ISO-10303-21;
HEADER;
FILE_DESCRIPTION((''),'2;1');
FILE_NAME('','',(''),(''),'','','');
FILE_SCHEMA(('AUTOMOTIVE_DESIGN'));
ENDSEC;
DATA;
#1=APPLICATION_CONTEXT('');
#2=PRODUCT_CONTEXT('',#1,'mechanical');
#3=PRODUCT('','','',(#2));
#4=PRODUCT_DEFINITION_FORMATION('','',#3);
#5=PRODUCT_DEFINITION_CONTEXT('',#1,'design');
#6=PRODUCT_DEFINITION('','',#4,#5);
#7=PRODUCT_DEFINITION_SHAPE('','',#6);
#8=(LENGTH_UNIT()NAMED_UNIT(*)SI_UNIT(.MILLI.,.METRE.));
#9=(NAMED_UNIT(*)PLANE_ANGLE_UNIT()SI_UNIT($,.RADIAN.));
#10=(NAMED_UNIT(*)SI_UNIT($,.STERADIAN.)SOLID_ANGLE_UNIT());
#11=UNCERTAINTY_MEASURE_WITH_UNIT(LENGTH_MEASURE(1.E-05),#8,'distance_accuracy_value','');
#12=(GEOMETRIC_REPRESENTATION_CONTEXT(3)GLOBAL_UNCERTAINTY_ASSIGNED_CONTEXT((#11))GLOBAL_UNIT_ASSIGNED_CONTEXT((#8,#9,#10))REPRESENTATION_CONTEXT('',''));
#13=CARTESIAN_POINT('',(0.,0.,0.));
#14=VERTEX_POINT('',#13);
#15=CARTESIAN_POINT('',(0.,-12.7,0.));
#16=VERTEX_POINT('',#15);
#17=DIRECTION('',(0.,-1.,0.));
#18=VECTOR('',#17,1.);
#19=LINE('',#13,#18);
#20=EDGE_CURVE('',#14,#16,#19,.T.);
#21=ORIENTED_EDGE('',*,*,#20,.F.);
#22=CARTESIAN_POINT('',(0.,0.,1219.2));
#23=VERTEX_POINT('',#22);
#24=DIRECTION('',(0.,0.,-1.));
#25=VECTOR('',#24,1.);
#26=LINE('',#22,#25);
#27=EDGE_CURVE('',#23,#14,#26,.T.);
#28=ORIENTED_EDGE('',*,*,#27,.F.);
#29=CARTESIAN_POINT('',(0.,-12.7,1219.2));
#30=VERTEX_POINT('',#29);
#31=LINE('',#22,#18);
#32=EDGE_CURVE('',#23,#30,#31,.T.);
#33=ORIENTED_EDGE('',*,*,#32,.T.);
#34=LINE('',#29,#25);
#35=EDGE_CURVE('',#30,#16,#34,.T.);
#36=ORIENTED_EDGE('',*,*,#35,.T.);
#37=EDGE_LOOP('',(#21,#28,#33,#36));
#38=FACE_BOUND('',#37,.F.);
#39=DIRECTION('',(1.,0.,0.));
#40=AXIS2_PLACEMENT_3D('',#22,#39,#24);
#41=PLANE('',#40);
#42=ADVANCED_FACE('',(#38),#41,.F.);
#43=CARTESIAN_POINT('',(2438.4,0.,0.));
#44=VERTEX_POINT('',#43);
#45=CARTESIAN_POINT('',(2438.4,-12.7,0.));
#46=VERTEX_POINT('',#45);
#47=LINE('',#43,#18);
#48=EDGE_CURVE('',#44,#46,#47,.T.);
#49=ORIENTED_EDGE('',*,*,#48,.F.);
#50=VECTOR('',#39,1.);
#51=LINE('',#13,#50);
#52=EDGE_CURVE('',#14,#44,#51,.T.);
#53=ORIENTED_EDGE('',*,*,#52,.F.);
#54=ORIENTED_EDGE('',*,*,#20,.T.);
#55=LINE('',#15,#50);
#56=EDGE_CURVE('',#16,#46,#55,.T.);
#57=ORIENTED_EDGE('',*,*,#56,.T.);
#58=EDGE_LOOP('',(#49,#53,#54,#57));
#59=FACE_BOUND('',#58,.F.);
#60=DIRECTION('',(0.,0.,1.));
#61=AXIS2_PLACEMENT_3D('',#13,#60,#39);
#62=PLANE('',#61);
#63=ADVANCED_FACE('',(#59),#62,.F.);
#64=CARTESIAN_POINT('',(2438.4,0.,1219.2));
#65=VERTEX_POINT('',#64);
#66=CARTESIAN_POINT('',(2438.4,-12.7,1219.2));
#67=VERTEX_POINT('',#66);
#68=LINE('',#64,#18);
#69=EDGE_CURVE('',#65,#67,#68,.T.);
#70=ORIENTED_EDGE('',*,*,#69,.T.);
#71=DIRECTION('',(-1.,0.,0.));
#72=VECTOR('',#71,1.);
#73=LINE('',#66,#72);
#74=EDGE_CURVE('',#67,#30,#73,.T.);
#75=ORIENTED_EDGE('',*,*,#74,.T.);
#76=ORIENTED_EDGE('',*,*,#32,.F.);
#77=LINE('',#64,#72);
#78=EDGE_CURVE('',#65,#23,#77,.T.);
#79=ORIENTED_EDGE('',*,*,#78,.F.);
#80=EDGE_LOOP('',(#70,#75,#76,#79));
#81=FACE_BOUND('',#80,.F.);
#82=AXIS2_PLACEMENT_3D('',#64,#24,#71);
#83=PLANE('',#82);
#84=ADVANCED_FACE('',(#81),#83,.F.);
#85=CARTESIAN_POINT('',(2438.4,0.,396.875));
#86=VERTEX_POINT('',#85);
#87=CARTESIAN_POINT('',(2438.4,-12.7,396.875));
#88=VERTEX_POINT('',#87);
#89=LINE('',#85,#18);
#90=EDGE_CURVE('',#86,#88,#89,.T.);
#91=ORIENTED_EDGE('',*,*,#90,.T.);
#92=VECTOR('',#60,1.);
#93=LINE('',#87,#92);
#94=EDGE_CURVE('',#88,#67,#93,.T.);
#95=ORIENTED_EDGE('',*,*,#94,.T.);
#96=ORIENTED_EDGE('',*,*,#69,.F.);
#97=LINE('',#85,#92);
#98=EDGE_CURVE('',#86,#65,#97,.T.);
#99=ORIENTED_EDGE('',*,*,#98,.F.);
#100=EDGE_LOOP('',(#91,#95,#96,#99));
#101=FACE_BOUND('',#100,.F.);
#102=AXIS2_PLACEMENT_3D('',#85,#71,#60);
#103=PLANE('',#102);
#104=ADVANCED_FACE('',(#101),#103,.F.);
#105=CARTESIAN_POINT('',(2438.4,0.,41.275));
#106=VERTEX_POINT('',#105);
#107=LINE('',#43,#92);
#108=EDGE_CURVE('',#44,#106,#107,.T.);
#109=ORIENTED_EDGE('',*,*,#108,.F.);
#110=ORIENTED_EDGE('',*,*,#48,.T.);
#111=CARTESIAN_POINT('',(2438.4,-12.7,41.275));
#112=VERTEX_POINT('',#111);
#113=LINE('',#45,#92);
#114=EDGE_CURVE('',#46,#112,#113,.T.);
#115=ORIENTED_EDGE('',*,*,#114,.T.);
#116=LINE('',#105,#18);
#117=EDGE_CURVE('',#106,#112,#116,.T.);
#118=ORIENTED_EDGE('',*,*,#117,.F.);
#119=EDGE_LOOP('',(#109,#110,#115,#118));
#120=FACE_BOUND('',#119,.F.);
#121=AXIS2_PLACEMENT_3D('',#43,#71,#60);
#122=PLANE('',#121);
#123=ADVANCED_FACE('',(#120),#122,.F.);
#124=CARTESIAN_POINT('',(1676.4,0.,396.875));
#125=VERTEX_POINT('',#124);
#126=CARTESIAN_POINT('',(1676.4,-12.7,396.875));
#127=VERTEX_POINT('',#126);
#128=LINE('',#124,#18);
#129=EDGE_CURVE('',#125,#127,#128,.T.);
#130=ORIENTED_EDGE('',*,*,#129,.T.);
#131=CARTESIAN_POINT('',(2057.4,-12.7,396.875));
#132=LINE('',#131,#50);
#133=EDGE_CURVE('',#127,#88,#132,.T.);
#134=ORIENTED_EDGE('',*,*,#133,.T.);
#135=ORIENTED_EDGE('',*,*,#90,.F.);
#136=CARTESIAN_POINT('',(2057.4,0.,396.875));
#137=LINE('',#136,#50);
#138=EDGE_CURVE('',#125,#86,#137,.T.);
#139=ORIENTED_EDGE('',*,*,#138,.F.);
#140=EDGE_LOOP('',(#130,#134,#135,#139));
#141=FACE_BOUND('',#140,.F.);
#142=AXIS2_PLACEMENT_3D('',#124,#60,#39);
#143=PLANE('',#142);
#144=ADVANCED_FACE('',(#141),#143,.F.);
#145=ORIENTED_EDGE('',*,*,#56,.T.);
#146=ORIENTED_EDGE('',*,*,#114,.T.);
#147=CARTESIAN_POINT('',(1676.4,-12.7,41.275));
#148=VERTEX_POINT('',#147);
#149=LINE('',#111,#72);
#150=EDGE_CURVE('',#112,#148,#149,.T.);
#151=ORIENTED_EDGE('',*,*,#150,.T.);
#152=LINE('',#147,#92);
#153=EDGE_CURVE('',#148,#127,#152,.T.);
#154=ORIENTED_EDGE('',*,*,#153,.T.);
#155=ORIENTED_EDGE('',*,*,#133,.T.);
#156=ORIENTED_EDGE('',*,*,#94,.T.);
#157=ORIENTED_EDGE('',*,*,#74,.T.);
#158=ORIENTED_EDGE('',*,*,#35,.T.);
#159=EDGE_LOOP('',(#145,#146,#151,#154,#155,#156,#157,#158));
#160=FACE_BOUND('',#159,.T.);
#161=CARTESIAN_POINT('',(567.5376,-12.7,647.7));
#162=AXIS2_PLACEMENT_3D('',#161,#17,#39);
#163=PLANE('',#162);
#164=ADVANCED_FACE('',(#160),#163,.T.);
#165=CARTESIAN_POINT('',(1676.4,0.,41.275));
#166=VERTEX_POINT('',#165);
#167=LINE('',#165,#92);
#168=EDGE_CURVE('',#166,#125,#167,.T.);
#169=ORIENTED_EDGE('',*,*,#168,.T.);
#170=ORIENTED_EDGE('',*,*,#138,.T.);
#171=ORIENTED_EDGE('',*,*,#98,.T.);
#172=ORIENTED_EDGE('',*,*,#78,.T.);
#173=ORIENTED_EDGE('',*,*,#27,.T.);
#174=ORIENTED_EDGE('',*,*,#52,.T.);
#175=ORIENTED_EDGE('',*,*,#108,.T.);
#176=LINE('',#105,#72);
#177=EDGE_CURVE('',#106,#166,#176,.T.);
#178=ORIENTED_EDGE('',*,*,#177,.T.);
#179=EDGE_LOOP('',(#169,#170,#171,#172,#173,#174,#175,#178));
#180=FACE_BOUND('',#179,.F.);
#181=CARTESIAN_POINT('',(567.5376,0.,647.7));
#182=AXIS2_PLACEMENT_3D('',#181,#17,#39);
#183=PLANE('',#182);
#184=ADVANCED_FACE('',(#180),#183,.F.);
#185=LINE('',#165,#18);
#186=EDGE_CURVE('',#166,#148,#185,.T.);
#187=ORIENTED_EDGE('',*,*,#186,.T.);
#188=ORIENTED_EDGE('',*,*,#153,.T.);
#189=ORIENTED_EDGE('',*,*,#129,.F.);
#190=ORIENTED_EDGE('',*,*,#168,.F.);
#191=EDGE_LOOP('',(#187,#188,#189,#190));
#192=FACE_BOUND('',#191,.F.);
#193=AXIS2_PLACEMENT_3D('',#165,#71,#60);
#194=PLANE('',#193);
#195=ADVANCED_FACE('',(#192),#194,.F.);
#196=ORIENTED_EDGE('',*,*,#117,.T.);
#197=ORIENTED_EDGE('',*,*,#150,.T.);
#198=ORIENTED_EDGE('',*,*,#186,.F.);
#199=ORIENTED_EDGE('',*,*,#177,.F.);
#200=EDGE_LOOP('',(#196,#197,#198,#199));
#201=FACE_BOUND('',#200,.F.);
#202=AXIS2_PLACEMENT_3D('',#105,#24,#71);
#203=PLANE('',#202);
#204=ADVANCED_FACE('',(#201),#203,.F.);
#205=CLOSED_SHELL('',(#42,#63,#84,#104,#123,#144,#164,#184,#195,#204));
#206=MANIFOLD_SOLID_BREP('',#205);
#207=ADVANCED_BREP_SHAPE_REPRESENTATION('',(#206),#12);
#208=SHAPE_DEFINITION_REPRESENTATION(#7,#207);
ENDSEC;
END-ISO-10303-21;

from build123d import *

# Parameters (mm, degrees)
F0_W     = 1135.0752
F0_H     = 431.8
F0_W_2   = 1573.2125
F0_H_2   = 111.125
F0_W_3   = 762
F0_H_3   = 355.6
F1_DEPTH = 12.7


with BuildPart() as f1:
    # F0 (on Front) → F1 (new body)
    with BuildSketch(Plane.XZ):
        with Locations((567.5376, 647.7)):
            Rectangle(F0_W, F0_H)
        Polygon((1135.0752, 431.8), (1135.0752, 0), (2438.4, 0), (2438.4, 41.275), (1676.4, 41.275), (1320.8, 41.275), (1320.8, 803.275), (1676.4, 803.275), (1676.4, 1108.075), (1573.2125, 1108.075), (1573.2125, 996.95), (0, 996.95), (0, 863.6), (1135.0752, 863.6), align=None)
        with Locations((786.60625, 1052.5125)):
            Rectangle(F0_W_2, F0_H_2)
        Polygon((0, 1219.2), (0, 1108.075), (1573.2125, 1108.075), (1676.4, 1108.075), (2438.4, 1108.075), (2438.4, 1219.2), align=None)
        Polygon((1676.4, 752.475), (2438.4, 752.475), (2438.4, 1108.075), (1676.4, 1108.075), (1676.4, 803.275), align=None)
        with Locations((2057.4, 574.675)):
            Rectangle(F0_W_3, F0_H_3)
        Polygon((1320.8, 41.275), (1676.4, 41.275), (1676.4, 396.875), (1676.4, 752.475), (1676.4, 803.275), (1320.8, 803.275), align=None)
        with Locations((567.5376, 215.9)):
            Rectangle(F0_W, F0_H)
    extrude(amount=F1_DEPTH)


solid = f1.part
